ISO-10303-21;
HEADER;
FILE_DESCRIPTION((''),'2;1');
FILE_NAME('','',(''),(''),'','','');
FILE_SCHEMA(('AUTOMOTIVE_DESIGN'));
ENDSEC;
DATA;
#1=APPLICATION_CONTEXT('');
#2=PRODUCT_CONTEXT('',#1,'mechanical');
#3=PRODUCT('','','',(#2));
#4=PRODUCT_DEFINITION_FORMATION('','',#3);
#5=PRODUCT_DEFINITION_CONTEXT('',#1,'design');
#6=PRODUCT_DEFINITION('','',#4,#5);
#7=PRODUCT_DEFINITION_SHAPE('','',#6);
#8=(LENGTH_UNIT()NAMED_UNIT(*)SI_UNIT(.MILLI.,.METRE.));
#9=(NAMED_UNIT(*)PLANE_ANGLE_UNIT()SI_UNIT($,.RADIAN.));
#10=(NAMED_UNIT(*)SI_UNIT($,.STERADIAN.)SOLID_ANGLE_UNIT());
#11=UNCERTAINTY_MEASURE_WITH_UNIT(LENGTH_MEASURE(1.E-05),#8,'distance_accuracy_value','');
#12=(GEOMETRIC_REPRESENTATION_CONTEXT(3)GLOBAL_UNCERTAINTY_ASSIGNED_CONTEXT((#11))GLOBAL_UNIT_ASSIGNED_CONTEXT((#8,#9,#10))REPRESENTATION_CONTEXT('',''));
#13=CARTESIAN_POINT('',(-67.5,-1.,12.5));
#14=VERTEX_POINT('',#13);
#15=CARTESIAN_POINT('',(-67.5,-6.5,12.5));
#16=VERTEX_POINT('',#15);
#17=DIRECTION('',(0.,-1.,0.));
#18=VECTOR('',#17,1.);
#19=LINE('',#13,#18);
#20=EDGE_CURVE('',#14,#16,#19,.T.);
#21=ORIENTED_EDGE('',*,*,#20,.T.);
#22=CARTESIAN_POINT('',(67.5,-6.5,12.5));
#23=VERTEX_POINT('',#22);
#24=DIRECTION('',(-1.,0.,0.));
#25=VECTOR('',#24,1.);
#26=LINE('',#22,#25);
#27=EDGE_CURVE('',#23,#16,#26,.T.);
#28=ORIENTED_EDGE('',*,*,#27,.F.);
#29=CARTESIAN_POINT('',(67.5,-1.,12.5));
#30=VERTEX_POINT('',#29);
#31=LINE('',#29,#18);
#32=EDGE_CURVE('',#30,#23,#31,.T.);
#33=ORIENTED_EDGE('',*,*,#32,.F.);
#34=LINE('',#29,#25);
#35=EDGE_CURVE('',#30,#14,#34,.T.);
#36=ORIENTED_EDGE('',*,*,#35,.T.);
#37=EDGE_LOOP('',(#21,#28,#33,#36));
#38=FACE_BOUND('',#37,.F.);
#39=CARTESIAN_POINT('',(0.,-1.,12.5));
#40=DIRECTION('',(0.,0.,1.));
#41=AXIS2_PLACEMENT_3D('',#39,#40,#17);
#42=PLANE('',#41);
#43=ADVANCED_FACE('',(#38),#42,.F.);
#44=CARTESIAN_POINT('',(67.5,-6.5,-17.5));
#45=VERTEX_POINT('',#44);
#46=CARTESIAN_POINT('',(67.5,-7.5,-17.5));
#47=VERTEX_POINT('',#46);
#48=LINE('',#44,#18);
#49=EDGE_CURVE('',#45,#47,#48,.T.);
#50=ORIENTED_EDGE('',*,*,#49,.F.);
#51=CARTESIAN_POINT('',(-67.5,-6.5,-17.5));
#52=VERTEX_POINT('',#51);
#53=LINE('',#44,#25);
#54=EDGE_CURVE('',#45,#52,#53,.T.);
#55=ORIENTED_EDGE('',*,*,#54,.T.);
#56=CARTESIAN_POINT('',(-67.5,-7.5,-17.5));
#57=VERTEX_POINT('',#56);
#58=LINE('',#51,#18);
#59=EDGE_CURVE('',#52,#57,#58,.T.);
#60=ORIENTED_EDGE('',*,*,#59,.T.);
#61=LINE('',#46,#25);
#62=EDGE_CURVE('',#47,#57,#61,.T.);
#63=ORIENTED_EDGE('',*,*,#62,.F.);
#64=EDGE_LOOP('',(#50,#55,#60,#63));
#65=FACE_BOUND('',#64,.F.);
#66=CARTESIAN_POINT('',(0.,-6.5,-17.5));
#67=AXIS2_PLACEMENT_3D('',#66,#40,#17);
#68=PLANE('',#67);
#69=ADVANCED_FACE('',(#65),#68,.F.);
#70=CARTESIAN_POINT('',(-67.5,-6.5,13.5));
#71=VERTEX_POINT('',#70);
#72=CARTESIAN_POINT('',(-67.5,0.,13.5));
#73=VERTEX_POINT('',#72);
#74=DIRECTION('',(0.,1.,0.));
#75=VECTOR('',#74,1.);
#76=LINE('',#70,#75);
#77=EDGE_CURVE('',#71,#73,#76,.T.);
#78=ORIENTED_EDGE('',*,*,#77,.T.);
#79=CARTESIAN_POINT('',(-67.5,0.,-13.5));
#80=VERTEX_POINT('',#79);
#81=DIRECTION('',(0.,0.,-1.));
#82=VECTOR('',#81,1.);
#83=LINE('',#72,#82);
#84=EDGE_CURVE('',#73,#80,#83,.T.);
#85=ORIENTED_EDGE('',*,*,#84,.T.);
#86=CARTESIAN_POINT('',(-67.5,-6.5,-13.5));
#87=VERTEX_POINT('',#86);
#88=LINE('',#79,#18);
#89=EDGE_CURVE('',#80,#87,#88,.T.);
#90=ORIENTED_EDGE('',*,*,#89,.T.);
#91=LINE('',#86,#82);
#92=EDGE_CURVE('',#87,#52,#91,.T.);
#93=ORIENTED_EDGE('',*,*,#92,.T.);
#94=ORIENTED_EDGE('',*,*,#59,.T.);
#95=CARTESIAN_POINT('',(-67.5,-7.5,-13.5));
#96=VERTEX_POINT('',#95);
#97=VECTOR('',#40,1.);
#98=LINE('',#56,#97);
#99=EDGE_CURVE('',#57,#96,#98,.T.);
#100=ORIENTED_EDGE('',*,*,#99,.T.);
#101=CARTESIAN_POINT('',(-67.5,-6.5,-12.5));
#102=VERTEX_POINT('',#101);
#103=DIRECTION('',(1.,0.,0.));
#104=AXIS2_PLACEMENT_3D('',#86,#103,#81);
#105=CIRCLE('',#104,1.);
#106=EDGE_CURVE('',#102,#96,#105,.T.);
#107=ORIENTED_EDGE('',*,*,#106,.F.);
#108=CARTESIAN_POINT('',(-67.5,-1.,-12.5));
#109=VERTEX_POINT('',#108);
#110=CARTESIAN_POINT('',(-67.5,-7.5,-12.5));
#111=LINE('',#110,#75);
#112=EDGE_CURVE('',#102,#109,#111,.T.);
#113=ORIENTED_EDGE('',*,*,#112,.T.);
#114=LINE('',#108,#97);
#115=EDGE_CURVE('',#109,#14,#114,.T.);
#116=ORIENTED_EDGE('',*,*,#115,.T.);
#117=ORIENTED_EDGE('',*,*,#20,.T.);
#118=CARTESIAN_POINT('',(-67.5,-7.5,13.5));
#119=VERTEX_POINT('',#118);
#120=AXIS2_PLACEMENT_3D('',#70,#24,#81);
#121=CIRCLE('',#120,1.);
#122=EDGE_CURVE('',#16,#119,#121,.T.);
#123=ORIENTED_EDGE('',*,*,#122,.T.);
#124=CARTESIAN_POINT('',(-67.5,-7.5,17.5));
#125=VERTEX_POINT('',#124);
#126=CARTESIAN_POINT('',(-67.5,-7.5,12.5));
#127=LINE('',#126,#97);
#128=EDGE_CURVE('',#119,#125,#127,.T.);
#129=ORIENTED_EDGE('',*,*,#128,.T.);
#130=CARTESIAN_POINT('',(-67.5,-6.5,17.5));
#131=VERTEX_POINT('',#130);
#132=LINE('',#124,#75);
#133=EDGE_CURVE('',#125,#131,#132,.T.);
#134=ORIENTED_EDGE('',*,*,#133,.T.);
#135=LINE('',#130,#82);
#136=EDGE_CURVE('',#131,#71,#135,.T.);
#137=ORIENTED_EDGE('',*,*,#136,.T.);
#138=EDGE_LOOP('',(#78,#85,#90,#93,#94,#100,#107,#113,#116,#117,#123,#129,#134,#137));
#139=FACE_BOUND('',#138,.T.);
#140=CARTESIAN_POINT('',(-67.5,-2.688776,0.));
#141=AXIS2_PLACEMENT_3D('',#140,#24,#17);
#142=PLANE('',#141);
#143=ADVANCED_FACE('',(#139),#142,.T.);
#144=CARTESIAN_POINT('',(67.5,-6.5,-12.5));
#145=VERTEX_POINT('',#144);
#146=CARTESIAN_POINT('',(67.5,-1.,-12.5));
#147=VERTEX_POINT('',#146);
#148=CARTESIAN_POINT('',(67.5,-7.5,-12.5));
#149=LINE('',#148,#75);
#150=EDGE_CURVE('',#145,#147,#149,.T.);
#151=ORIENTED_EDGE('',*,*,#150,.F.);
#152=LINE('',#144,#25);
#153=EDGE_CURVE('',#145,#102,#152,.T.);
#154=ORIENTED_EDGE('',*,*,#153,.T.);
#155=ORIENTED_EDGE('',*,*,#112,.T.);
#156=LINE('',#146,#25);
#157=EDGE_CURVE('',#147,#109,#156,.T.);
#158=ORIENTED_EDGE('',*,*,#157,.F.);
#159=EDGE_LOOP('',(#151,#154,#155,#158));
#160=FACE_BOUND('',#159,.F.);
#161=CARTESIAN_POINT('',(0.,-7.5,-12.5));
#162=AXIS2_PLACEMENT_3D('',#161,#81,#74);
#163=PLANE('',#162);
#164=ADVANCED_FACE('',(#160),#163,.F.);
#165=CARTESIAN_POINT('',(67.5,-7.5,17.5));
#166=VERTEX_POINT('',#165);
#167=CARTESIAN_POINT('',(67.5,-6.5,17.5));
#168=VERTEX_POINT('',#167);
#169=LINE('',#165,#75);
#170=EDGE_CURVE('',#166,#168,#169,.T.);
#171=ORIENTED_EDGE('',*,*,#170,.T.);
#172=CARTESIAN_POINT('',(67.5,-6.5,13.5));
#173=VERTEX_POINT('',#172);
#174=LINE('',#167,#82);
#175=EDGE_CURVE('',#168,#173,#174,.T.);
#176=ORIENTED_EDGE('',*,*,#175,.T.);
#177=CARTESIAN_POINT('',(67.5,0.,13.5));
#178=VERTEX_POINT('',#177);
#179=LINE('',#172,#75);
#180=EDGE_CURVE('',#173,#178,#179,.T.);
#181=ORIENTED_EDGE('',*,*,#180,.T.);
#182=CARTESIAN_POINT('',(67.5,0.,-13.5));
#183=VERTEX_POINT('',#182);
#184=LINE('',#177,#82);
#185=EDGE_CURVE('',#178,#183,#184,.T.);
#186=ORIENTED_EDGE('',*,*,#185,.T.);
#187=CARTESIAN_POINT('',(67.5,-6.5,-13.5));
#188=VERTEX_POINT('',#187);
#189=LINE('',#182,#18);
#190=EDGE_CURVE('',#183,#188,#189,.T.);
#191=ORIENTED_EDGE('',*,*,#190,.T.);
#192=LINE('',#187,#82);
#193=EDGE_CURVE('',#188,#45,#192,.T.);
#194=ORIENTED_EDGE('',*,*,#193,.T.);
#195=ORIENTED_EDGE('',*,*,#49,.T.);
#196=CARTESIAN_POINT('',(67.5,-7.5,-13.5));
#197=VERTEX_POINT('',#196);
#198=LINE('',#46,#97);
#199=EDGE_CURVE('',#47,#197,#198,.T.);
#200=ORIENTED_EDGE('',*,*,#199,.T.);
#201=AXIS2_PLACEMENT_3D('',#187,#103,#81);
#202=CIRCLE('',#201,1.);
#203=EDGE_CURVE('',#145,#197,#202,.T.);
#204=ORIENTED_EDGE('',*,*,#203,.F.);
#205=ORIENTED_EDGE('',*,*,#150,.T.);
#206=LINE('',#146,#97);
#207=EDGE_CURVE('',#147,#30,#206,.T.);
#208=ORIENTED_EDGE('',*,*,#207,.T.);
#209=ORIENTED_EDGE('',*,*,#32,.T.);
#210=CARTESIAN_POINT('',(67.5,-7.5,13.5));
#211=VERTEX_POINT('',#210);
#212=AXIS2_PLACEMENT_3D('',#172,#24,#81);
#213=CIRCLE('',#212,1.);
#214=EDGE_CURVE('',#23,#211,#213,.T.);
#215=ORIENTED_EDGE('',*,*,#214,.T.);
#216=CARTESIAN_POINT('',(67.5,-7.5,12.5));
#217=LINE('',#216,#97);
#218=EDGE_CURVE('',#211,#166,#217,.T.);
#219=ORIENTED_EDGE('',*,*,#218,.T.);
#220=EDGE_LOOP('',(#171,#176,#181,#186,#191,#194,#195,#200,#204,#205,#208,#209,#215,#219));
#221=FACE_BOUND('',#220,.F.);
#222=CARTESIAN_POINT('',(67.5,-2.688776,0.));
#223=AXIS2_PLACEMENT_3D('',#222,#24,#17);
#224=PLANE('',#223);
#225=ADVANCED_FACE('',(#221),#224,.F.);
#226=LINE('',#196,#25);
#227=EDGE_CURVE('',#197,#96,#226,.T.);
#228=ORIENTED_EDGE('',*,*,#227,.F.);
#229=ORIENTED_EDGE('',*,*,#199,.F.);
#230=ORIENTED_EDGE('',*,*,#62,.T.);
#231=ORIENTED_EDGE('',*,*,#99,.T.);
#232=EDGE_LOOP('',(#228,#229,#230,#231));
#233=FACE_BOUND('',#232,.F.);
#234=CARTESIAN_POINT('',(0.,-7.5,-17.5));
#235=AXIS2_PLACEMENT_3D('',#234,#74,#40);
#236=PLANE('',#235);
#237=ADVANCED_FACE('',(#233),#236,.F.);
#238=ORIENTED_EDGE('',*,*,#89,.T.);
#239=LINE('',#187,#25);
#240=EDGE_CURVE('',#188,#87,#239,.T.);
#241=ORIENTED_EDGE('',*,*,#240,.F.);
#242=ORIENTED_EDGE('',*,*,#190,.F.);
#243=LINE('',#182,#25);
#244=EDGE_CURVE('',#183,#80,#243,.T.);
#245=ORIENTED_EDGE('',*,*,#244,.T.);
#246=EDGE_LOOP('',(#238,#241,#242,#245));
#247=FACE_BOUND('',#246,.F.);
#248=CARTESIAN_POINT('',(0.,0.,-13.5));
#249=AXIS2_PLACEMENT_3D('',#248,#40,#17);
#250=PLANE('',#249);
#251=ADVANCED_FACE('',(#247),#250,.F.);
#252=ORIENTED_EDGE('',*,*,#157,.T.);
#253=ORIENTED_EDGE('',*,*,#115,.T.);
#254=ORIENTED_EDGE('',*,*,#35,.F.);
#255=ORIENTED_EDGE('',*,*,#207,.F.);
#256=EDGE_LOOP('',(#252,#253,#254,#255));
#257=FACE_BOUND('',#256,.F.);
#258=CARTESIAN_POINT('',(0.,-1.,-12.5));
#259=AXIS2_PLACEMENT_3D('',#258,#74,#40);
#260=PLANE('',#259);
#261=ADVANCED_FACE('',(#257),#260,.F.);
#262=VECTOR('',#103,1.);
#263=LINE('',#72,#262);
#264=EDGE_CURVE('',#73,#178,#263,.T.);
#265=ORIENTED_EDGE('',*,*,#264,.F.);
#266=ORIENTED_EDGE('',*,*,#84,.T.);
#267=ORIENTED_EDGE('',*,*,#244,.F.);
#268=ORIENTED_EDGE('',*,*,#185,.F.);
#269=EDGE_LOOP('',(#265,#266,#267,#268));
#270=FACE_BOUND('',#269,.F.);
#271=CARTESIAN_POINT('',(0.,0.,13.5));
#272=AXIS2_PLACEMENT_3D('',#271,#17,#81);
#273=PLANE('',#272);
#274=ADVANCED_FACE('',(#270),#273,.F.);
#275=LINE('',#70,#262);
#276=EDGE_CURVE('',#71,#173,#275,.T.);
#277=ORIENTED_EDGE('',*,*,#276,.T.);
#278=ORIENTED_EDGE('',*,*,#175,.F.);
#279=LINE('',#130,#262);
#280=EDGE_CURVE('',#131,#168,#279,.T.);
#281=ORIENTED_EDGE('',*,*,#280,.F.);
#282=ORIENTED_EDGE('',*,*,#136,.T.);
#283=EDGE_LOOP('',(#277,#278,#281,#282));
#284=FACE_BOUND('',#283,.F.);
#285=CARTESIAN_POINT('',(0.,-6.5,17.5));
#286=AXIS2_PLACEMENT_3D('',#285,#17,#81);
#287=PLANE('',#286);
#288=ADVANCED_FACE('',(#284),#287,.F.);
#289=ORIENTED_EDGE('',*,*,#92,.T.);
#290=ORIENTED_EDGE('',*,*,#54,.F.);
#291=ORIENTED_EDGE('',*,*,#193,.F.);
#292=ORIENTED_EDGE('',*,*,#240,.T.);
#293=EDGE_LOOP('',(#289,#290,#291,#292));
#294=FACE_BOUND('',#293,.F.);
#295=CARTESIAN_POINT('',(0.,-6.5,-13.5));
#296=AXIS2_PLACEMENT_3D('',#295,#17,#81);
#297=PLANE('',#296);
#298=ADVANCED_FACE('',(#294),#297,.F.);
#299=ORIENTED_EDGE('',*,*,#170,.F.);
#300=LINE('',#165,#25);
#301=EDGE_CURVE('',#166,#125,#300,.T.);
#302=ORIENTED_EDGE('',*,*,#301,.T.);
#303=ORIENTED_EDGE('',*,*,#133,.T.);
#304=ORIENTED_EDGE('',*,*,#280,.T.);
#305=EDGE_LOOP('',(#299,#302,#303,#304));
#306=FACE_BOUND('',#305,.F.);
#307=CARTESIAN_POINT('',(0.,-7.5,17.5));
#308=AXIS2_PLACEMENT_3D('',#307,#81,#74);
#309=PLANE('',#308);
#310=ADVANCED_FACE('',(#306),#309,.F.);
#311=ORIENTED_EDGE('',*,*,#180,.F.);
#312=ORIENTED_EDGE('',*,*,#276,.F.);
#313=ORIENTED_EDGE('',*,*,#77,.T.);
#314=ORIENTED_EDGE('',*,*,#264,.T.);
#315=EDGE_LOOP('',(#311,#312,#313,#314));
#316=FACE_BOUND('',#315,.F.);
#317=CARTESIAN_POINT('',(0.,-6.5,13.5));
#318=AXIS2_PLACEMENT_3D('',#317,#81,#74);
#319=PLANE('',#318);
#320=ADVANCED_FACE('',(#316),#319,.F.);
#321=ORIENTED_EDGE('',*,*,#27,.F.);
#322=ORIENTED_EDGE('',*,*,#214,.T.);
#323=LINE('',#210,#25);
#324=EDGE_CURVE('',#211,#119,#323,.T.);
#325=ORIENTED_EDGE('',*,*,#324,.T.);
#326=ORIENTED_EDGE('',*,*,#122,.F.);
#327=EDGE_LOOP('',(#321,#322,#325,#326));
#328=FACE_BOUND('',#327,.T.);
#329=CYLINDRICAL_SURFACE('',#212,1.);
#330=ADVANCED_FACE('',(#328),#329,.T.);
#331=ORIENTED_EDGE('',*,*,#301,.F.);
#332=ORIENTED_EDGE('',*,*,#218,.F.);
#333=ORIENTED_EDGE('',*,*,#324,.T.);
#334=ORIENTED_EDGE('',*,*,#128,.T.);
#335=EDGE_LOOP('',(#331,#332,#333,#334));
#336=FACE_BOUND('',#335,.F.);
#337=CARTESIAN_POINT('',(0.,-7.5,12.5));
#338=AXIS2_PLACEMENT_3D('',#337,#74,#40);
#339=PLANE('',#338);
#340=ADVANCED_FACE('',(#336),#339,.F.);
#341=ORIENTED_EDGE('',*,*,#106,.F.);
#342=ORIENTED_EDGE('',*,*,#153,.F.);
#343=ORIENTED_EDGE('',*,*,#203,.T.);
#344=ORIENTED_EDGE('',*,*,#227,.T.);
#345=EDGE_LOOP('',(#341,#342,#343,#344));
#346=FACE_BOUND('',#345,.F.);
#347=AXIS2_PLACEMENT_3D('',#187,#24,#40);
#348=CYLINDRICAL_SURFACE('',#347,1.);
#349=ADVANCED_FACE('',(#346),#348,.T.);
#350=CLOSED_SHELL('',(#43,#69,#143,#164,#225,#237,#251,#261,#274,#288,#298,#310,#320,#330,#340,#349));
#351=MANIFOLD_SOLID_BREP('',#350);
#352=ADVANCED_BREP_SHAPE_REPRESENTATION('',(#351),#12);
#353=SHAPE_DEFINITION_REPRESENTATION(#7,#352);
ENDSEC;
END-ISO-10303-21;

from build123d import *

# Parameters (mm, degrees)
PAD005_DEPTH = 67.5
FILLET_R     = 1
FILLET001_R  = 1


with BuildPart() as part:
    # Sketch005 → Pad005 (new body, symmetric)
    with BuildSketch(Plane.YZ):
        Polygon((0, 13.5), (0, -13.5), (-6.5, -13.5), (-6.5, -17.5), (-7.5, -17.5), (-7.5, -12.5), (-1, -12.5), (-1, 12.5), (-7.5, 12.5), (-7.5, 17.5), (-6.5, 17.5), (-6.5, 13.5), align=None)
    extrude(amount=PAD005_DEPTH, both=True)

    # Fillet
    fillet_edges = [part.edges().sort_by_distance(p)[0] for p in [
        (0, -7.5, -12.5),
    ]]
    fillet(fillet_edges, radius=FILLET_R)

    # Fillet001
    fillet001_edges = [part.edges().sort_by_distance(p)[0] for p in [
        (0, -7.5, 12.5),
    ]]
    fillet(fillet001_edges, radius=FILLET001_R)


solid = part.part
